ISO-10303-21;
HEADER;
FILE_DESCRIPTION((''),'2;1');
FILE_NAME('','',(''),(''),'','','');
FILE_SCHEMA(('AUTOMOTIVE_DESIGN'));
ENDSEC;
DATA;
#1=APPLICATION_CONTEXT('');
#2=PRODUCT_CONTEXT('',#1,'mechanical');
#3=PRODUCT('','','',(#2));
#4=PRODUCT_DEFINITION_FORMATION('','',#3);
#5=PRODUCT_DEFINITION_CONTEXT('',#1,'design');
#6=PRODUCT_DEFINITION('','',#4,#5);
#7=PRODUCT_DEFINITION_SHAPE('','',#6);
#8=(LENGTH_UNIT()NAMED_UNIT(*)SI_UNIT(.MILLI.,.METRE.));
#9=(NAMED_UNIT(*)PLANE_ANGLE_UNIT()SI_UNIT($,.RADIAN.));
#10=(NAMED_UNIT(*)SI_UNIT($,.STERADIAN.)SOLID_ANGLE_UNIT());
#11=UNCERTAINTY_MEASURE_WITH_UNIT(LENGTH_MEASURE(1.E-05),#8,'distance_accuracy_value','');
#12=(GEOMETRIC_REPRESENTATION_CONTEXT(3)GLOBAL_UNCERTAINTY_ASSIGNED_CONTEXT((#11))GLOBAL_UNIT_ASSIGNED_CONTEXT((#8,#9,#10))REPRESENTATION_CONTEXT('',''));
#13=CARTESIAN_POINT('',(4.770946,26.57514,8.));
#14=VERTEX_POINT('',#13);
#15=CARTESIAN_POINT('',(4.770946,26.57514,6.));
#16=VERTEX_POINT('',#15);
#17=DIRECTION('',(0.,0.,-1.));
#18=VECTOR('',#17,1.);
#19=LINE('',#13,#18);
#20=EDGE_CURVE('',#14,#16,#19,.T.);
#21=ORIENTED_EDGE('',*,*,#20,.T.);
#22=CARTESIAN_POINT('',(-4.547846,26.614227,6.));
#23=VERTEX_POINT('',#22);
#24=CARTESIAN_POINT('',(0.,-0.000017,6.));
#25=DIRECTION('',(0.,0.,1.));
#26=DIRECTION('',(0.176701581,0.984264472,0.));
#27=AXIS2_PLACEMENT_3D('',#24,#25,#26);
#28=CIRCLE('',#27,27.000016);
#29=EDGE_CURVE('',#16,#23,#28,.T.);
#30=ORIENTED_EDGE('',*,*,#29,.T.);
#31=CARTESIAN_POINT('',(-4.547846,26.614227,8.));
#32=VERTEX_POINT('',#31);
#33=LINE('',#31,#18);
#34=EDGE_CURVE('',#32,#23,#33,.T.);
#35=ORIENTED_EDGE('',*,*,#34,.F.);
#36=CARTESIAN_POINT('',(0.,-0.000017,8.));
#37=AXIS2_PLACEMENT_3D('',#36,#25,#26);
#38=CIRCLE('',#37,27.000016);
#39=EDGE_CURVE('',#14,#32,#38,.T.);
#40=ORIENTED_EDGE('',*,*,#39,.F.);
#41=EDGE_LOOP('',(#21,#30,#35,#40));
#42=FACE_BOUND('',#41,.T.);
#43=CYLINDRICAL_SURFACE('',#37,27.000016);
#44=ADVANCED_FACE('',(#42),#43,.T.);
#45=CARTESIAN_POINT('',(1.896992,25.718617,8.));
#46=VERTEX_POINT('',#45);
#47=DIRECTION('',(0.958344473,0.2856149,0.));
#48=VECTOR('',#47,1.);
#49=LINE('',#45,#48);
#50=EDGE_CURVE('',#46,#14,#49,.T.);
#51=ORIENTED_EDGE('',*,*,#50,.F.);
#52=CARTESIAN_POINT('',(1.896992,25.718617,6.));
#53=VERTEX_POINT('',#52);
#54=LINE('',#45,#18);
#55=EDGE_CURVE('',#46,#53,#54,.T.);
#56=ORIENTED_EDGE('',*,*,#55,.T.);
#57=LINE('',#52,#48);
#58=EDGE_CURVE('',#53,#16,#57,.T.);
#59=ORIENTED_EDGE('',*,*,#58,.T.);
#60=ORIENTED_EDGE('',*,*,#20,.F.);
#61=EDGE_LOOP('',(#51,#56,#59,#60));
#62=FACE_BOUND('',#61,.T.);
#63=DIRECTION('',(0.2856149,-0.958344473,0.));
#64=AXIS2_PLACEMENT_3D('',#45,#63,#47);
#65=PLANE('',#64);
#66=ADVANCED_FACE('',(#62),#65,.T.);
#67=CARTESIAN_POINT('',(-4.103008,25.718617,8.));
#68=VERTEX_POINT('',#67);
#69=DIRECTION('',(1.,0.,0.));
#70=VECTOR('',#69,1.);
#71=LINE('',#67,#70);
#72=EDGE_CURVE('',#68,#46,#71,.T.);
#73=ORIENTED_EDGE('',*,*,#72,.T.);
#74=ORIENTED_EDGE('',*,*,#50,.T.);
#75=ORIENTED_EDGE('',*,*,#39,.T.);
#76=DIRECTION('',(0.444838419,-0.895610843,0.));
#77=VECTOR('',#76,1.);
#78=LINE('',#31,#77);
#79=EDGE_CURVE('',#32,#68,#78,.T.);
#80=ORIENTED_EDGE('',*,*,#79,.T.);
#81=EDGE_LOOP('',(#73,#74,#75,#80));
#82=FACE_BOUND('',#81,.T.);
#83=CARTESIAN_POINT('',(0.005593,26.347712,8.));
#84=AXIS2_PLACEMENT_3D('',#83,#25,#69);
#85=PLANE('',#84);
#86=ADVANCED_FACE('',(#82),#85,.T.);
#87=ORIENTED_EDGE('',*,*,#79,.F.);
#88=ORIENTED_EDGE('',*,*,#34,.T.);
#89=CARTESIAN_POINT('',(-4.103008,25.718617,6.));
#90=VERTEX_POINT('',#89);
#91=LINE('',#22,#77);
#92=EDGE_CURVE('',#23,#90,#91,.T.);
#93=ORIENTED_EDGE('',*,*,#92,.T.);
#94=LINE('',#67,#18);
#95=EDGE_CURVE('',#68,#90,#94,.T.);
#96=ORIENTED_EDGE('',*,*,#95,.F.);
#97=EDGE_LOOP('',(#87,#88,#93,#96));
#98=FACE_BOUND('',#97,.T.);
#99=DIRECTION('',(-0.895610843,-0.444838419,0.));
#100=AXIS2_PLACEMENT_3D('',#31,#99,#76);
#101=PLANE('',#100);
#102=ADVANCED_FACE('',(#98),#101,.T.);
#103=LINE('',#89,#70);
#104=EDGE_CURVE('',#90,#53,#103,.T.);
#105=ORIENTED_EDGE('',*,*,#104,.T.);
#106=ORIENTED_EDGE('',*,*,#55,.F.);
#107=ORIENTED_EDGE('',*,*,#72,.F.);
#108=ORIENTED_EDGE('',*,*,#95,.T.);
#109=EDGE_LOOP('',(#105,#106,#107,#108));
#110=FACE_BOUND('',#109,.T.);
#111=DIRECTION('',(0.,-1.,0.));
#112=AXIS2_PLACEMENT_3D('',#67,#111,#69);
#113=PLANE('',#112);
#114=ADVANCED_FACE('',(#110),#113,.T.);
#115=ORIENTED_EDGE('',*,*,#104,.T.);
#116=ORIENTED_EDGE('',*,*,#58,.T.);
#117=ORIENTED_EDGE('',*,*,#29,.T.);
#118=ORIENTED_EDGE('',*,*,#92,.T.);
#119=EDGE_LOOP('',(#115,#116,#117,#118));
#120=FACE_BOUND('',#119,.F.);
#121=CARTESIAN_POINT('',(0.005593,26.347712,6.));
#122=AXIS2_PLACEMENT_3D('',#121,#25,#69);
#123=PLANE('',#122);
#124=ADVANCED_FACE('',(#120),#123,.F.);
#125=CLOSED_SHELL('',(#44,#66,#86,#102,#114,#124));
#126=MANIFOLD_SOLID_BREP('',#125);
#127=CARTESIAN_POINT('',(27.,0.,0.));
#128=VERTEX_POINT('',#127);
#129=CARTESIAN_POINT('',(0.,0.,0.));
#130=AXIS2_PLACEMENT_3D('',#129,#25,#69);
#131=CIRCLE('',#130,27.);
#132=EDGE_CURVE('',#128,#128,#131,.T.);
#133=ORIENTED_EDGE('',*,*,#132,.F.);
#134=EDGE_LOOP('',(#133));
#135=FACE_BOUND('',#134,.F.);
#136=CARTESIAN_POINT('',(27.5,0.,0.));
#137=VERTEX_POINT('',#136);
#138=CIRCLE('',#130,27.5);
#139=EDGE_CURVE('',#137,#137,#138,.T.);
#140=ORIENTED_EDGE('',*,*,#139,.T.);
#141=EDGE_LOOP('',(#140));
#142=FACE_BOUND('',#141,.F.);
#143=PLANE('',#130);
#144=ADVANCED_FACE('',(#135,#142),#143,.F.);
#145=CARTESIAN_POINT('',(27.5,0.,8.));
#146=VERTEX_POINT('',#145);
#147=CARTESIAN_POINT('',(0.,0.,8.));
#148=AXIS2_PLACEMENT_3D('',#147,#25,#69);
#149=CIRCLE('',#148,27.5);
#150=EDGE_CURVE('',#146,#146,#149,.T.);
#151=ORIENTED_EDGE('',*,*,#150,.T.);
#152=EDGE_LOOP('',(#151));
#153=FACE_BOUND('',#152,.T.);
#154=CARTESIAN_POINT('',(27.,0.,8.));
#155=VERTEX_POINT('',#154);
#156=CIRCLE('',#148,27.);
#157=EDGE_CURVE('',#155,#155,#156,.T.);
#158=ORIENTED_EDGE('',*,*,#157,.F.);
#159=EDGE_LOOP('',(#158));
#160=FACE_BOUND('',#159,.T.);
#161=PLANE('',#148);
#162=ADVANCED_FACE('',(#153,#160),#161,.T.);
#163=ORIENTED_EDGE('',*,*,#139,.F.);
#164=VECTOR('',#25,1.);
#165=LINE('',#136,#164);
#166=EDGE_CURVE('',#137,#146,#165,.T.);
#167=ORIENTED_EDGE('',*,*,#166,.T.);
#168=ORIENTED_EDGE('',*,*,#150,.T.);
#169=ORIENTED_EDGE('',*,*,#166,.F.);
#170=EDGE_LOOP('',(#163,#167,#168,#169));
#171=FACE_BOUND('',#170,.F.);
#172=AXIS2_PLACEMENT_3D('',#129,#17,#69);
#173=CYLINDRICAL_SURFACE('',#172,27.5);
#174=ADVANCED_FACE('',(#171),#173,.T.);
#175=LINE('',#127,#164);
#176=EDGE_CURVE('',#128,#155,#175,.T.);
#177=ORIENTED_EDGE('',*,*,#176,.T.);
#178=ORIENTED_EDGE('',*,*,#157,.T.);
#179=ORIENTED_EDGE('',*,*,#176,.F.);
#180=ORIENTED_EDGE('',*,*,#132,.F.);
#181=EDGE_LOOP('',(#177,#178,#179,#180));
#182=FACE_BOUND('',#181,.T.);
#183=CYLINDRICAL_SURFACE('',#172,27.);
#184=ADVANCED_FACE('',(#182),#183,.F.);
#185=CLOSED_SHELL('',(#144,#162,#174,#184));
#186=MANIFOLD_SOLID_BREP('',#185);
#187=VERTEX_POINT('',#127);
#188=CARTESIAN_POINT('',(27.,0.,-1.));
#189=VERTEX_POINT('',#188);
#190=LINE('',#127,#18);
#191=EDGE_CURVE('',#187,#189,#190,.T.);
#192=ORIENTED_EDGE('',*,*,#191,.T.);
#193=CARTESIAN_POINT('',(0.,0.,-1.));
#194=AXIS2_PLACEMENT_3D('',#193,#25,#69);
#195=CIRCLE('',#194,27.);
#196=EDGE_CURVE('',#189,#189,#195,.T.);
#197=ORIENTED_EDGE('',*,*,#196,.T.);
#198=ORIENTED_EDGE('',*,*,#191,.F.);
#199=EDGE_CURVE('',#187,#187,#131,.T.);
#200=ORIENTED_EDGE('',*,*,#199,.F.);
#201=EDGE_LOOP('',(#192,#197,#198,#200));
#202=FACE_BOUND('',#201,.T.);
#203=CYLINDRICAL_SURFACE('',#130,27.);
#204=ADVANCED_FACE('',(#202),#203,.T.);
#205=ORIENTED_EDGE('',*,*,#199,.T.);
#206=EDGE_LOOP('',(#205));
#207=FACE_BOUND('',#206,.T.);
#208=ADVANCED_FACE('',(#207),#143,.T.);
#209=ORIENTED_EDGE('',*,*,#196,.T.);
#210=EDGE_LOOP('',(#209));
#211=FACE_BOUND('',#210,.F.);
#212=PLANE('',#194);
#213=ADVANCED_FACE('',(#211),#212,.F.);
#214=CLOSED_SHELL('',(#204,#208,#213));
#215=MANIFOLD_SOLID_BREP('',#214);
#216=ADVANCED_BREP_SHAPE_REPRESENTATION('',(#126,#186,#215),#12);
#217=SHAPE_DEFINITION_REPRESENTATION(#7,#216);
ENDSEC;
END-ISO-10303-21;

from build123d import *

# Parameters (mm, degrees)
F0_R     = 27.5
F0_R_2   = 27
F1_DEPTH = 8
F2_DEPTH = 1
F4_DEPTH = 2


with BuildPart() as f1:
    # F0 (on Top) → F1 (new body)
    with BuildSketch(Plane.XY):
        Circle(F0_R)
        Circle(F0_R_2, mode=Mode.SUBTRACT)
    extrude(amount=F1_DEPTH)


with BuildPart() as f2:
    # F0 (on Top) → F2 (new body)
    with BuildSketch(Plane.XY):
        Circle(F0_R_2)
    extrude(amount=-F2_DEPTH)


with BuildPart() as f4:
    # F3 (on face) → F4 (new body)
    with BuildSketch(Plane.XY.offset(8)):
        with BuildLine():
            ThreePointArc((4.770946, 26.57514), (0.113249, 26.999762), (-4.547846, 26.614227))
            Line((-4.547846, 26.614227), (-4.103008, 25.718617))
            Line((-4.103008, 25.718617), (1.896992, 25.718617))
            Line((1.896992, 25.718617), (4.770946, 26.57514))
        make_face()
    extrude(amount=-F4_DEPTH)


solid = Compound([f1.part, f2.part, f4.part])
